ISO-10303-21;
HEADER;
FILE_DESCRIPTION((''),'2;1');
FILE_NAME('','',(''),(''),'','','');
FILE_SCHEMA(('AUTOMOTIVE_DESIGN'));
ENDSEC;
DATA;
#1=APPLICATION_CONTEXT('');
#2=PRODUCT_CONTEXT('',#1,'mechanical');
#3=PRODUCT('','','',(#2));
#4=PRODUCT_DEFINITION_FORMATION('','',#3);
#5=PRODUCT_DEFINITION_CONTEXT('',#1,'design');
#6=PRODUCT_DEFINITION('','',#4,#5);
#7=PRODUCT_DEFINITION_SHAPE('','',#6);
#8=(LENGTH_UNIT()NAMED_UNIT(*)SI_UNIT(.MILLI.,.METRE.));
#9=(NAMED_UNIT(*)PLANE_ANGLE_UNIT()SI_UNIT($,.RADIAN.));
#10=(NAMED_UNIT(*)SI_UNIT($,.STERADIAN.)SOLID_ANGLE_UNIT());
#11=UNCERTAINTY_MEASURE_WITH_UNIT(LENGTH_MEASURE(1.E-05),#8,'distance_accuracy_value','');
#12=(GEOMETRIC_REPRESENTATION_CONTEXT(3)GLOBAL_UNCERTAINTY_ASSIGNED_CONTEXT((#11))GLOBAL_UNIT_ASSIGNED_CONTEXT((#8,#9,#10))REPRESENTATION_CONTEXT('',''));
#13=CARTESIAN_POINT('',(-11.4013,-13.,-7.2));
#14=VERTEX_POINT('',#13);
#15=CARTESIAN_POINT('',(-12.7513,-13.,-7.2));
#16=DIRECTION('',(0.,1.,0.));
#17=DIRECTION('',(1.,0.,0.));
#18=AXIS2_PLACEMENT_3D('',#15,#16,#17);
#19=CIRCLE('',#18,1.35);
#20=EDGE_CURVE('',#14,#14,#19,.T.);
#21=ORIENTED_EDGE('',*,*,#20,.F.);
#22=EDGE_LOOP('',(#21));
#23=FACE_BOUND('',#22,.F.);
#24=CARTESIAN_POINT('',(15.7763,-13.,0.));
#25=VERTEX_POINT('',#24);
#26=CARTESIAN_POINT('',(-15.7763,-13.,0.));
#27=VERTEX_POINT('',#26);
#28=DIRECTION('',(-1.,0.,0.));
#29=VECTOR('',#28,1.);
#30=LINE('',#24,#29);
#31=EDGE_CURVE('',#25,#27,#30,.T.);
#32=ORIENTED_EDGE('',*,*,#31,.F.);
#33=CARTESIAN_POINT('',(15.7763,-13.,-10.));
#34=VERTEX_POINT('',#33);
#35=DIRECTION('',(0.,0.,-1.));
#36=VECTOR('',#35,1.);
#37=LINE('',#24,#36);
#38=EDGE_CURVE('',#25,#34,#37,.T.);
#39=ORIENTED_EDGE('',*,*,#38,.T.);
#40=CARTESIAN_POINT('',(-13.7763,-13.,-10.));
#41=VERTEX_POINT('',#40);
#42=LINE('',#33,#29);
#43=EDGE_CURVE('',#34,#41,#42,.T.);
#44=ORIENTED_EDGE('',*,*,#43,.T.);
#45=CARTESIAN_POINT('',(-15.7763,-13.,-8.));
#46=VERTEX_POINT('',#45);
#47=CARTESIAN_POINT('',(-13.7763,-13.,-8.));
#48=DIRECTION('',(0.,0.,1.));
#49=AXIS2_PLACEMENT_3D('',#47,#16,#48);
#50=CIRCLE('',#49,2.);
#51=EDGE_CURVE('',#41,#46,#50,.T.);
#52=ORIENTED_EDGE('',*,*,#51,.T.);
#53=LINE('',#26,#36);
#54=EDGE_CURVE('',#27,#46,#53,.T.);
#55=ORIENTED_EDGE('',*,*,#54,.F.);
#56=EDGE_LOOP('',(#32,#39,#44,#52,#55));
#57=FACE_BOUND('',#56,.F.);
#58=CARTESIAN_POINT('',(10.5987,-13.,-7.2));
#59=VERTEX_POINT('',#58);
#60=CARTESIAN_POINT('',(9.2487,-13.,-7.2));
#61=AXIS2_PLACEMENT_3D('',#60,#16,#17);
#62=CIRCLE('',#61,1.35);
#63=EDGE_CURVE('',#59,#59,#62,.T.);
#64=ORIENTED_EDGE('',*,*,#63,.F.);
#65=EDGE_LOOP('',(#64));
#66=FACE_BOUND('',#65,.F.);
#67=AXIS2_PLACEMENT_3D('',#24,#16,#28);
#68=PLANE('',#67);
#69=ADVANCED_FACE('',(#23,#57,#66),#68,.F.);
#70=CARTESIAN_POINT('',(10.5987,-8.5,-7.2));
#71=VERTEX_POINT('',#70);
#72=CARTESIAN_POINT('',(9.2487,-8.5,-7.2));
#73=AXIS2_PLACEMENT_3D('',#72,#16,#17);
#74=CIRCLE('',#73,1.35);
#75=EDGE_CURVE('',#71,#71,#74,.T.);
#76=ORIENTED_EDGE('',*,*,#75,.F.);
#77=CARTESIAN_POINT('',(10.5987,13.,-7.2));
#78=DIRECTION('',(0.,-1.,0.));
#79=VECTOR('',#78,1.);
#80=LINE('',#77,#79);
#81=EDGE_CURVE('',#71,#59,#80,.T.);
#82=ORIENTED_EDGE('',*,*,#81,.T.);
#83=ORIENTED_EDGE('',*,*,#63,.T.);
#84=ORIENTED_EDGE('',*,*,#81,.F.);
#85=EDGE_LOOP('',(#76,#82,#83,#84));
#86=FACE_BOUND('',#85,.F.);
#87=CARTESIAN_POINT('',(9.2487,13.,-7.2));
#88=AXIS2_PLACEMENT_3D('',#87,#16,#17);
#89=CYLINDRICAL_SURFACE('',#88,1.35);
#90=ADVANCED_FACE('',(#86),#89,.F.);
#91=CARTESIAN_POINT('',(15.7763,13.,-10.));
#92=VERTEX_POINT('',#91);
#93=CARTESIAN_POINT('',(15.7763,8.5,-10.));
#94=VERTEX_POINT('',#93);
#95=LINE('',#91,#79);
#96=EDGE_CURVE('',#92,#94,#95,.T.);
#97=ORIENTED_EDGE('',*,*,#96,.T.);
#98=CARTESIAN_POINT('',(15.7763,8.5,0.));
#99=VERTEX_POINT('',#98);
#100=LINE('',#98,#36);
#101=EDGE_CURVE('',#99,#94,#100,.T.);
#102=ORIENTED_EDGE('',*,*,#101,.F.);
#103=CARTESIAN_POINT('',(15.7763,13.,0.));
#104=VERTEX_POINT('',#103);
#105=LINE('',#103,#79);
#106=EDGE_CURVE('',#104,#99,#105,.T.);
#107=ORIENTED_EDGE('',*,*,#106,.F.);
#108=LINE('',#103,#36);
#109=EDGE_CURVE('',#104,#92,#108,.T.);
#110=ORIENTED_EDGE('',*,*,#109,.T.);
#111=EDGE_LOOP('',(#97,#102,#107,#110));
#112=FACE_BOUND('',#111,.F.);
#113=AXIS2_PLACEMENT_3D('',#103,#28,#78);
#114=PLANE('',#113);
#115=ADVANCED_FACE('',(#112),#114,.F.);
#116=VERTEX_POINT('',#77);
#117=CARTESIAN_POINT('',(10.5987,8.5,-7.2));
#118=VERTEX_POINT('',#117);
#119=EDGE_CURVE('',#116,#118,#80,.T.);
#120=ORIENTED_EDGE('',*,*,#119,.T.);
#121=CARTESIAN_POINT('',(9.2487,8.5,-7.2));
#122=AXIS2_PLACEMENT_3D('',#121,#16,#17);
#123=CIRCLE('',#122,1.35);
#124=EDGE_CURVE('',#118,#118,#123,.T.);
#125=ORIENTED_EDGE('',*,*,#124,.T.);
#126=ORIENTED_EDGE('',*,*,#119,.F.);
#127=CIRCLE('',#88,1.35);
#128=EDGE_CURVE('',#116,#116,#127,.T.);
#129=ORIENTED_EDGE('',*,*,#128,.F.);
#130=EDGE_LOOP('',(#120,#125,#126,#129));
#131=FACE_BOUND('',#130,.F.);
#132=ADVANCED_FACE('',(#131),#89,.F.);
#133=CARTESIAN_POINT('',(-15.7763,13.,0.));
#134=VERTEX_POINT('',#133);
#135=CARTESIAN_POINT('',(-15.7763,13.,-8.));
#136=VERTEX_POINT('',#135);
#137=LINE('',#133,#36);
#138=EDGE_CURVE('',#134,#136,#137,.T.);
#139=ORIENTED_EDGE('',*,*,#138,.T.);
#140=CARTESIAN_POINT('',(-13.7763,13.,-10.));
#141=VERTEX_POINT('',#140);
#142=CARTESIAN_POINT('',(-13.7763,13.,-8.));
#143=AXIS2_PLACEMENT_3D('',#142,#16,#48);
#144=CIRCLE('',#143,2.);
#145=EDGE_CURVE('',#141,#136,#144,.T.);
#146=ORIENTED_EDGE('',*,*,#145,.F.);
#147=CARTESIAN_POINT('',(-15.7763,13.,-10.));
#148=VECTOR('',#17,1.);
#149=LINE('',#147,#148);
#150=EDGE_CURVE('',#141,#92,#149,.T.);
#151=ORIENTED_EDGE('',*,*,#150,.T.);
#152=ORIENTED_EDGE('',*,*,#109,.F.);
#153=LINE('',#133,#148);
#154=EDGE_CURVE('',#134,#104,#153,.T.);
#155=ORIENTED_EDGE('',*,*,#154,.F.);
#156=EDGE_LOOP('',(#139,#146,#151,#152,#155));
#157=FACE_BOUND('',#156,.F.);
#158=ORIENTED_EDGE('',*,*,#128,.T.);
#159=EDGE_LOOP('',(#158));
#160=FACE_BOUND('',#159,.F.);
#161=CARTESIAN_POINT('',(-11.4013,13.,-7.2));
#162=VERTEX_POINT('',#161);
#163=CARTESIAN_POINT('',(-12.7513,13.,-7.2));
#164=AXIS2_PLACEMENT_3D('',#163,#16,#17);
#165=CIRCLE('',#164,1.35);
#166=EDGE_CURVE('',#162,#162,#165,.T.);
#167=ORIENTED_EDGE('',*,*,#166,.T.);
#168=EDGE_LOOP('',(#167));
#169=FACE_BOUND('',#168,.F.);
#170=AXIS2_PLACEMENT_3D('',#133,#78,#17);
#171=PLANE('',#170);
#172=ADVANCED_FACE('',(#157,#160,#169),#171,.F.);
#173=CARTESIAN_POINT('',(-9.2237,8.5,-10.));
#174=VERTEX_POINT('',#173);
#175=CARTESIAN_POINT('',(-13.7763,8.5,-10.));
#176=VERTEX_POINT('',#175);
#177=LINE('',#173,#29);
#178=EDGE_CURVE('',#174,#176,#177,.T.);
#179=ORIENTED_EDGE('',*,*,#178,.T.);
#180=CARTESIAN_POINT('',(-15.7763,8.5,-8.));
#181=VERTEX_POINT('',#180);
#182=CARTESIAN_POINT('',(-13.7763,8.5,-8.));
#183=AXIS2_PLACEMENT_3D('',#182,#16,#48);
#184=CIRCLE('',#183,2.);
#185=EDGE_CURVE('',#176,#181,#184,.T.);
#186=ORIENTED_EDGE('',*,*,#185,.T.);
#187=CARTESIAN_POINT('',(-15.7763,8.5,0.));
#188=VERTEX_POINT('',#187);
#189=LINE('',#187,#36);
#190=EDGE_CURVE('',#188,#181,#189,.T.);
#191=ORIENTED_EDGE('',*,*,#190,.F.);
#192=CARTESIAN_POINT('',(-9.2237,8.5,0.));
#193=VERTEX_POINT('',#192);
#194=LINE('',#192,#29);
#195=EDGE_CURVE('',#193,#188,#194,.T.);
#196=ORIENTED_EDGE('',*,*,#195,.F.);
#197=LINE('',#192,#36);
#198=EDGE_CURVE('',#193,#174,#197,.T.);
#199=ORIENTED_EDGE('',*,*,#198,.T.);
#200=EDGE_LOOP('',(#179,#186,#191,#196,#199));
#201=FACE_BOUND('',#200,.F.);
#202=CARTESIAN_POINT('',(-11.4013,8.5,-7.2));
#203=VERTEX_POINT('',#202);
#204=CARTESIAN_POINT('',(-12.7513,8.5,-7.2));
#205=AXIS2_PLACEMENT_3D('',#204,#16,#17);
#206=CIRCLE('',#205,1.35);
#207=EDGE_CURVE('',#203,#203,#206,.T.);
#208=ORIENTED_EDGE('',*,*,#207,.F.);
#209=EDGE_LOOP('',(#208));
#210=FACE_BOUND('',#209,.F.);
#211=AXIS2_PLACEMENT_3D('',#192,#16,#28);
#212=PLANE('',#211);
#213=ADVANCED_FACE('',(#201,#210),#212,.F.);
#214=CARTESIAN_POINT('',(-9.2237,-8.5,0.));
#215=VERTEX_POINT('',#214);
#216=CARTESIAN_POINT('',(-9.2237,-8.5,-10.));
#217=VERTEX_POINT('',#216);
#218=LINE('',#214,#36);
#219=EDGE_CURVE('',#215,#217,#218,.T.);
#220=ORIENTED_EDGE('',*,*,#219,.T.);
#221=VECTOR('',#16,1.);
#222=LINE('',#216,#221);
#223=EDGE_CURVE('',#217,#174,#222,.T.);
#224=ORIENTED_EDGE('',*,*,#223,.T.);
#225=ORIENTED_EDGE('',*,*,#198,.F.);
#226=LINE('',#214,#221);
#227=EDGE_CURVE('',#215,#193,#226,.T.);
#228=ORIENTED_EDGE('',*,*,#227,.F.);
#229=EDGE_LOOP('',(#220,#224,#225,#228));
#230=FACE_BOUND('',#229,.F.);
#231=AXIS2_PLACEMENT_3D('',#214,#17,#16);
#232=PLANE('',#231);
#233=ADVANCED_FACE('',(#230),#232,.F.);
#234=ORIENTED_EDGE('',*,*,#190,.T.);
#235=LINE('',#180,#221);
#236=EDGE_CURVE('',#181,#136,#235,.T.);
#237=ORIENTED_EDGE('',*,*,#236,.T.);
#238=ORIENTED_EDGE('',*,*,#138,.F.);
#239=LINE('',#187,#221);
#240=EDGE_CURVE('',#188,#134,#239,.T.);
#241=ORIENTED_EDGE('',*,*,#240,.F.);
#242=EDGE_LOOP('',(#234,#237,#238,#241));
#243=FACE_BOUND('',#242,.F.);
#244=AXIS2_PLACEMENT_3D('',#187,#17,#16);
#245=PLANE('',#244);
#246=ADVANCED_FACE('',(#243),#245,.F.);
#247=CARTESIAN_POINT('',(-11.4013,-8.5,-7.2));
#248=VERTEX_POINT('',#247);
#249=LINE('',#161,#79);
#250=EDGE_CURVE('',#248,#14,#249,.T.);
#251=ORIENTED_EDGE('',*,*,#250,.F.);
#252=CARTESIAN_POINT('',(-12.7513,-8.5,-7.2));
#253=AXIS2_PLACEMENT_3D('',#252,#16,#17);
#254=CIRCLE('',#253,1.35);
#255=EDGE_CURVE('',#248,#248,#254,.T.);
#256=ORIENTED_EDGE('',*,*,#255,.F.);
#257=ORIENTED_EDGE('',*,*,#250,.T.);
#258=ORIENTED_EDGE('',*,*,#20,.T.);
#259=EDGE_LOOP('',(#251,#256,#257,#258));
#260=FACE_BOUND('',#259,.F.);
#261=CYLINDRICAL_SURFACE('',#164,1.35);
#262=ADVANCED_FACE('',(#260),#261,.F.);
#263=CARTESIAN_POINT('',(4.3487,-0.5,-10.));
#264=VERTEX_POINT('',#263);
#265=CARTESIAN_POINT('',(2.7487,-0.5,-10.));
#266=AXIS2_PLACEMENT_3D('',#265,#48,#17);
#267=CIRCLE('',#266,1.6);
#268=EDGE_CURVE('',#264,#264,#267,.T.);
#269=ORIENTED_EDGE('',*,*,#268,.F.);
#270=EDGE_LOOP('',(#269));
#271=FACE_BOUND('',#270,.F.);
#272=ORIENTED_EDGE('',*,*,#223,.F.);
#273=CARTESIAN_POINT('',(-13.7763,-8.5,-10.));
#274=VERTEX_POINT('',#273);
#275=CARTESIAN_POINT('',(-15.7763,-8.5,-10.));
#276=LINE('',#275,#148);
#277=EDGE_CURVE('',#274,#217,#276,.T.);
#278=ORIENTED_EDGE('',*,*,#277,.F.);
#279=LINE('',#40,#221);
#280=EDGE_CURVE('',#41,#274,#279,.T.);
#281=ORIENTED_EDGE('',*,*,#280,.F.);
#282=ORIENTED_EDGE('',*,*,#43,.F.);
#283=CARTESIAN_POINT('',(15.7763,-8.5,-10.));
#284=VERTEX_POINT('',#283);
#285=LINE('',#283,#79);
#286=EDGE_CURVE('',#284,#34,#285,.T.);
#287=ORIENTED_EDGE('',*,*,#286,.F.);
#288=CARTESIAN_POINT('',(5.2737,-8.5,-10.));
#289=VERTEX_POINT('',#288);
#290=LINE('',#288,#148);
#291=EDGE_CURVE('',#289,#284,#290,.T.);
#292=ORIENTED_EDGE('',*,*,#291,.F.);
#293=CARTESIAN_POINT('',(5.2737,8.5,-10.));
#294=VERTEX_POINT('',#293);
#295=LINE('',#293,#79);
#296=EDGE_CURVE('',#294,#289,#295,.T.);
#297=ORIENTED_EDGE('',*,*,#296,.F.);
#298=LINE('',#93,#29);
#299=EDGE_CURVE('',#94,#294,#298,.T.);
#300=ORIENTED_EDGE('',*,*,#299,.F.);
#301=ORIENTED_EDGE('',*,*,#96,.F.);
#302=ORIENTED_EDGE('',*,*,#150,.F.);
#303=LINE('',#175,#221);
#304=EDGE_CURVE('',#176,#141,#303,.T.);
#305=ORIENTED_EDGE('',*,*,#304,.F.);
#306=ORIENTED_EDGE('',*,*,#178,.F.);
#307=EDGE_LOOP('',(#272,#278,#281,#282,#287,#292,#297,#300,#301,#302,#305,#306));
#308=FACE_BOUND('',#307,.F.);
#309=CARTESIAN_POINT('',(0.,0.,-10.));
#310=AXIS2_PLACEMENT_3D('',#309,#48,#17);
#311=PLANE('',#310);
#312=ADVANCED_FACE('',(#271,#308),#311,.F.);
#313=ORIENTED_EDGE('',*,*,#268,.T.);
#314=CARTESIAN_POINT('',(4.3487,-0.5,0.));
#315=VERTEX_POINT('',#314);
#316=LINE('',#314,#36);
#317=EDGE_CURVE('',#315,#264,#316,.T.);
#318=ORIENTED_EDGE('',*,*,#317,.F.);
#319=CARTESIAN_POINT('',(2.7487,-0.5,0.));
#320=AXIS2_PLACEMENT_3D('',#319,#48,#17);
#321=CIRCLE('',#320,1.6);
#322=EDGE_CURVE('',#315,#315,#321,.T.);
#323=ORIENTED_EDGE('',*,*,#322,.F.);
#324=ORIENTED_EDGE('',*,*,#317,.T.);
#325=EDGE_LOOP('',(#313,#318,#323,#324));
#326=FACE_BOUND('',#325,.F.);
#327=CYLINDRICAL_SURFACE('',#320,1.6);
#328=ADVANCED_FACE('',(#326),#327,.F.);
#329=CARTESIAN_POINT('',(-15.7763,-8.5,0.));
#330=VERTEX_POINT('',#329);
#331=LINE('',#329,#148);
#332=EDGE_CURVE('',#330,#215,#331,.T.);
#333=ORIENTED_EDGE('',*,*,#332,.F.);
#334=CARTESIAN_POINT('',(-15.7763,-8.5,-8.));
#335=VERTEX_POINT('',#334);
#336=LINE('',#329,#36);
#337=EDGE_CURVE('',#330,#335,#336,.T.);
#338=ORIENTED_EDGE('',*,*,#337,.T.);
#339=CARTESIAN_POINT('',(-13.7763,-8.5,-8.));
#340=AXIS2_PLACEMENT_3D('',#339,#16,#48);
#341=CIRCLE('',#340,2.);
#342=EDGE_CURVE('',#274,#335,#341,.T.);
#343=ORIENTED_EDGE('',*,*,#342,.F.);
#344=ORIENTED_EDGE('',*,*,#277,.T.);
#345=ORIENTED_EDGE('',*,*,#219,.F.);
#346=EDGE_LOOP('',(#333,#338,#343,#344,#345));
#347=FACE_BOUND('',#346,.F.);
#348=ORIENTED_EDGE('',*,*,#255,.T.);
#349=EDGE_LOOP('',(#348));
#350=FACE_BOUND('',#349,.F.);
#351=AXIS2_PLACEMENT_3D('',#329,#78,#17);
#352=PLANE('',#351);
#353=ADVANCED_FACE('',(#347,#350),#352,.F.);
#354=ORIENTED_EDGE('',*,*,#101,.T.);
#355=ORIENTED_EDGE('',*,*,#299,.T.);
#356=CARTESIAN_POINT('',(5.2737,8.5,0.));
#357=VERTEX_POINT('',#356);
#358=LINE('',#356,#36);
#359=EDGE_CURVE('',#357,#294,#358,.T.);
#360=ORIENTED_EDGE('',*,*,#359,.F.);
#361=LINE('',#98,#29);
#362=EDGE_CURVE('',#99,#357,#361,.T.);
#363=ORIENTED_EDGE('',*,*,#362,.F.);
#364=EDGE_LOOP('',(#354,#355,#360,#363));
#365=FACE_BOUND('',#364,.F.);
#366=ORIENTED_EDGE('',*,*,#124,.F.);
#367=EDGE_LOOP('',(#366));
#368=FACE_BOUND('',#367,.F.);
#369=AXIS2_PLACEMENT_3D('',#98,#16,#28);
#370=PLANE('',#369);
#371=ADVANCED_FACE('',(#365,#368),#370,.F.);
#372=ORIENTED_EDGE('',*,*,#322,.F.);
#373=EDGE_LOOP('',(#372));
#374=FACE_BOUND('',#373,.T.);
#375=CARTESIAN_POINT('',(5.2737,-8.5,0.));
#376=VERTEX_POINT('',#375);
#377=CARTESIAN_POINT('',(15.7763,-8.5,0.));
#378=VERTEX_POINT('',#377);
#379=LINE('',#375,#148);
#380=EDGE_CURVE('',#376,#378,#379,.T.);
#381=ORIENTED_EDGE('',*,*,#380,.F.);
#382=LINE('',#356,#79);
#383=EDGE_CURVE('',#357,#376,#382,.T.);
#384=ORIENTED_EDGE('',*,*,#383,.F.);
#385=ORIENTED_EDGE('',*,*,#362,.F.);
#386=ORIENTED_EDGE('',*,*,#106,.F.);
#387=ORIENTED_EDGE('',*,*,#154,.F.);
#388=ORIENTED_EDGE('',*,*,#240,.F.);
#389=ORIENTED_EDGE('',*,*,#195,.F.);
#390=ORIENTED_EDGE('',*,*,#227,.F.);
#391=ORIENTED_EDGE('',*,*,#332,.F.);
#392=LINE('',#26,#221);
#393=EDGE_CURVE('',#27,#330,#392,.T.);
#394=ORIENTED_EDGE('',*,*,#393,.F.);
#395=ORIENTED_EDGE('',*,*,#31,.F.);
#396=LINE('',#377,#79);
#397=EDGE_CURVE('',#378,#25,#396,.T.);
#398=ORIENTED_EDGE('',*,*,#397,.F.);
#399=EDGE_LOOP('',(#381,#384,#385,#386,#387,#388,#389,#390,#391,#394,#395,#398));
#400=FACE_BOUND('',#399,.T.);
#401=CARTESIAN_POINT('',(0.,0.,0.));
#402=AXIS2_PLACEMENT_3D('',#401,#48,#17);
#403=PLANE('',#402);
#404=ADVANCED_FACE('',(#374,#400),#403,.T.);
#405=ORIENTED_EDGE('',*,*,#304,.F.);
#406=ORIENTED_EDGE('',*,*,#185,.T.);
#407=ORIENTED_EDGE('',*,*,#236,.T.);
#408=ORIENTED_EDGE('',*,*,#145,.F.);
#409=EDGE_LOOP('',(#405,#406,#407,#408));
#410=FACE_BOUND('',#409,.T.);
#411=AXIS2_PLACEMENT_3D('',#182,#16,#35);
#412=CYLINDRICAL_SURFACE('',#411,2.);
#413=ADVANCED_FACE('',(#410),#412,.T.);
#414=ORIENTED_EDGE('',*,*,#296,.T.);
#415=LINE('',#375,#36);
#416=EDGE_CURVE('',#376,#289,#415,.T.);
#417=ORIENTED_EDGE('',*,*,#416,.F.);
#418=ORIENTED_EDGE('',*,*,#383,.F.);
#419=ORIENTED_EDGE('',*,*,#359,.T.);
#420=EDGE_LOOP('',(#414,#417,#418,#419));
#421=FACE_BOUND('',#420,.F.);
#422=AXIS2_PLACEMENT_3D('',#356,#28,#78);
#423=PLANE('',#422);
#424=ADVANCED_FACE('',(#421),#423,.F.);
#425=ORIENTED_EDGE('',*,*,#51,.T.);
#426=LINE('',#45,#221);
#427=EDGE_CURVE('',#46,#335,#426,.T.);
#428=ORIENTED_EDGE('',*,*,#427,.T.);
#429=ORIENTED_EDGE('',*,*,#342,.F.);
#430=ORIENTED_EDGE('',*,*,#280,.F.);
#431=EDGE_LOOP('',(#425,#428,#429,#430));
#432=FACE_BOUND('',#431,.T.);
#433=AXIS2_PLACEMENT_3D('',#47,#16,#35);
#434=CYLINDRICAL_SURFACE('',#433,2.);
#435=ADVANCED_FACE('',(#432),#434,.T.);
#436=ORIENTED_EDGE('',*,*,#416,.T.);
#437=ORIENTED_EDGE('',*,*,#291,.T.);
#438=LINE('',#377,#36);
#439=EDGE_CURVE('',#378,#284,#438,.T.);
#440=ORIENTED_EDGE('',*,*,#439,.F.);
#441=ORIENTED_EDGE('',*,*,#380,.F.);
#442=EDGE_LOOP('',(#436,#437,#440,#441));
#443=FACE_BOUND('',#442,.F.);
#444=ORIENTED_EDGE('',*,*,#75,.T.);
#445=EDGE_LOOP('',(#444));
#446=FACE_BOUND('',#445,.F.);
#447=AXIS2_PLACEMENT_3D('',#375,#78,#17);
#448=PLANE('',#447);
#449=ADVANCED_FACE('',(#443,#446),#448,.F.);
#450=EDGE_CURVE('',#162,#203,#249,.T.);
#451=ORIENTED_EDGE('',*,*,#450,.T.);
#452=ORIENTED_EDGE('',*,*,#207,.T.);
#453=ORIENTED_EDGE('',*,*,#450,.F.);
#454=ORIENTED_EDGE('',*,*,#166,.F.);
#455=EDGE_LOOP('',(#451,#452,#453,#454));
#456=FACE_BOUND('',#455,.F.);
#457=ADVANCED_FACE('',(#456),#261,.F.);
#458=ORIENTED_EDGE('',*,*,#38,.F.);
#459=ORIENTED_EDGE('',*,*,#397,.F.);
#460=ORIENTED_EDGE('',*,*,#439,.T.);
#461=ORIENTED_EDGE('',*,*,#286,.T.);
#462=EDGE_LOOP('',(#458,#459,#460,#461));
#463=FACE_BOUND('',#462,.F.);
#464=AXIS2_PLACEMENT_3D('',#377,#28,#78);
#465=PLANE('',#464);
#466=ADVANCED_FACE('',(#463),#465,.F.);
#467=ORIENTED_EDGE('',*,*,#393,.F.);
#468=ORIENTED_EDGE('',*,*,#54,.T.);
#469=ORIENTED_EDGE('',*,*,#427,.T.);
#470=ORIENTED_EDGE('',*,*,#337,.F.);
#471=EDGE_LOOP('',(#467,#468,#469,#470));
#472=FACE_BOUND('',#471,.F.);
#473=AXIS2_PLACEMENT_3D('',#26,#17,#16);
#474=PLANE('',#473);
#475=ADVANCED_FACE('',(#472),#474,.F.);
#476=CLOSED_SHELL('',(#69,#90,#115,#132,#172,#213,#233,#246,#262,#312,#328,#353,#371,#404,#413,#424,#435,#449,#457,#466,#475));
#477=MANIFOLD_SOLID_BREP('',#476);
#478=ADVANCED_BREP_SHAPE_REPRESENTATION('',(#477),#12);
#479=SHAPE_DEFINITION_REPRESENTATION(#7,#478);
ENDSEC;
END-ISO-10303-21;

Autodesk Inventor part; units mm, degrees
ref_plane "YZ Plane" through (0, 0, 0) normal (1, 0, 0) x (0, 1, 0)
ref_plane "XZ Plane" through (0, 0, 0) normal (0, 1, 0) x (-1, 0, 0)
ref_plane "XY Plane" through (0, 0, 0) normal (0, 0, 1) x (1, 0, 0)
ref_plane "작업 평면2" through (0, 0, 0) normal (0, 0, 1) x (1, 0, 0)
sketch "스케치2" plane through (0, 0, 0) normal (0, 0, 1) x (1, 0, 0)
  line L0 (-9.2237, -8.5) -> (-9.2237, 8.5) projected
  line L1 (-15.7763, -8.5) -> (-9.2237, -8.5) projected
  line L2 (-15.7763, -13) -> (-15.7763, -8.5) projected
  line L3 (15.7763, -13) -> (-15.7763, -13) projected
  line L4 (15.7763, -8.5) -> (15.7763, -13) projected
  line L5 (5.2737, -8.5) -> (15.7763, -8.5) projected
  line L6 (5.2737, 8.5) -> (5.2737, -8.5) projected
  line L7 (15.7763, 8.5) -> (5.2737, 8.5) projected
  line L8 (15.7763, 13) -> (15.7763, 8.5) projected
  line L9 (-15.7763, 13) -> (15.7763, 13) projected
  line L10 (-15.7763, 8.5) -> (-15.7763, 13) projected
  line L11 (-9.2237, 8.5) -> (-15.7763, 8.5) projected
  circle A0 centre (2.7487, -0.5) radius 1.6 projected
  line L12 (15.7763, 13) -> (-15.7763, 13)
  line L13 (-15.7763, 13) -> (-15.7763, 8.5)
  line L14 (-15.7763, 8.5) -> (15.7763, 8.5)
  line L15 (15.7763, 8.5) -> (15.7763, 13)
  line L16 (5.2737, 8.5) -> (-9.2237, 8.5)
  line L17 (-9.2237, 8.5) -> (-9.2237, -8.5)
  line L18 (-9.2237, -8.5) -> (5.2737, -8.5)
  line L19 (5.2737, -8.5) -> (5.2737, 8.5)
  line L20 (15.7763, -8.5) -> (-15.7763, -8.5)
  line L21 (-15.7763, -8.5) -> (-15.7763, -13)
  line L22 (-15.7763, -13) -> (15.7763, -13)
  line L23 (15.7763, -13) -> (15.7763, -8.5)
  point P0 (0, 0)
extrude "돌출1" add sketch "스케치2" against normal blind 10
sketch "스케치3" plane through (-15.7763, 13, 0) normal (0, 1, 0) x (1, 0, 0)
  arc A0 (2, 10) -> (0, 8) centre (2, 8) ccw projected
  line L0 (0, 8) -> (0, 0) projected
  line L1 (0, 0) -> (31.5525, 0) projected
  line L2 (31.5525, 10) -> (31.5525, 0) projected
  line L3 (2, 10) -> (31.5525, 10) projected
  circle A1 centre (3.025, 7.2) radius 1.35 projected
  circle A2 centre (25.025, 7.2) radius 1.35 projected
  circle A3 centre (25.025, 7.2) radius 1.35
  circle A4 centre (3.025, 7.2) radius 1.35
  point P0 (15.7763, 0)
extrude "돌출2" cut sketch "스케치3" against normal through all contours A1 | A2
fillet "모깎기1" radius 2 2 edges at (-15.7763, -10.75, -10) (-15.7763, 10.75, -10)
properties part number "front ankle connection_left" material "PMMA 플라스틱"
